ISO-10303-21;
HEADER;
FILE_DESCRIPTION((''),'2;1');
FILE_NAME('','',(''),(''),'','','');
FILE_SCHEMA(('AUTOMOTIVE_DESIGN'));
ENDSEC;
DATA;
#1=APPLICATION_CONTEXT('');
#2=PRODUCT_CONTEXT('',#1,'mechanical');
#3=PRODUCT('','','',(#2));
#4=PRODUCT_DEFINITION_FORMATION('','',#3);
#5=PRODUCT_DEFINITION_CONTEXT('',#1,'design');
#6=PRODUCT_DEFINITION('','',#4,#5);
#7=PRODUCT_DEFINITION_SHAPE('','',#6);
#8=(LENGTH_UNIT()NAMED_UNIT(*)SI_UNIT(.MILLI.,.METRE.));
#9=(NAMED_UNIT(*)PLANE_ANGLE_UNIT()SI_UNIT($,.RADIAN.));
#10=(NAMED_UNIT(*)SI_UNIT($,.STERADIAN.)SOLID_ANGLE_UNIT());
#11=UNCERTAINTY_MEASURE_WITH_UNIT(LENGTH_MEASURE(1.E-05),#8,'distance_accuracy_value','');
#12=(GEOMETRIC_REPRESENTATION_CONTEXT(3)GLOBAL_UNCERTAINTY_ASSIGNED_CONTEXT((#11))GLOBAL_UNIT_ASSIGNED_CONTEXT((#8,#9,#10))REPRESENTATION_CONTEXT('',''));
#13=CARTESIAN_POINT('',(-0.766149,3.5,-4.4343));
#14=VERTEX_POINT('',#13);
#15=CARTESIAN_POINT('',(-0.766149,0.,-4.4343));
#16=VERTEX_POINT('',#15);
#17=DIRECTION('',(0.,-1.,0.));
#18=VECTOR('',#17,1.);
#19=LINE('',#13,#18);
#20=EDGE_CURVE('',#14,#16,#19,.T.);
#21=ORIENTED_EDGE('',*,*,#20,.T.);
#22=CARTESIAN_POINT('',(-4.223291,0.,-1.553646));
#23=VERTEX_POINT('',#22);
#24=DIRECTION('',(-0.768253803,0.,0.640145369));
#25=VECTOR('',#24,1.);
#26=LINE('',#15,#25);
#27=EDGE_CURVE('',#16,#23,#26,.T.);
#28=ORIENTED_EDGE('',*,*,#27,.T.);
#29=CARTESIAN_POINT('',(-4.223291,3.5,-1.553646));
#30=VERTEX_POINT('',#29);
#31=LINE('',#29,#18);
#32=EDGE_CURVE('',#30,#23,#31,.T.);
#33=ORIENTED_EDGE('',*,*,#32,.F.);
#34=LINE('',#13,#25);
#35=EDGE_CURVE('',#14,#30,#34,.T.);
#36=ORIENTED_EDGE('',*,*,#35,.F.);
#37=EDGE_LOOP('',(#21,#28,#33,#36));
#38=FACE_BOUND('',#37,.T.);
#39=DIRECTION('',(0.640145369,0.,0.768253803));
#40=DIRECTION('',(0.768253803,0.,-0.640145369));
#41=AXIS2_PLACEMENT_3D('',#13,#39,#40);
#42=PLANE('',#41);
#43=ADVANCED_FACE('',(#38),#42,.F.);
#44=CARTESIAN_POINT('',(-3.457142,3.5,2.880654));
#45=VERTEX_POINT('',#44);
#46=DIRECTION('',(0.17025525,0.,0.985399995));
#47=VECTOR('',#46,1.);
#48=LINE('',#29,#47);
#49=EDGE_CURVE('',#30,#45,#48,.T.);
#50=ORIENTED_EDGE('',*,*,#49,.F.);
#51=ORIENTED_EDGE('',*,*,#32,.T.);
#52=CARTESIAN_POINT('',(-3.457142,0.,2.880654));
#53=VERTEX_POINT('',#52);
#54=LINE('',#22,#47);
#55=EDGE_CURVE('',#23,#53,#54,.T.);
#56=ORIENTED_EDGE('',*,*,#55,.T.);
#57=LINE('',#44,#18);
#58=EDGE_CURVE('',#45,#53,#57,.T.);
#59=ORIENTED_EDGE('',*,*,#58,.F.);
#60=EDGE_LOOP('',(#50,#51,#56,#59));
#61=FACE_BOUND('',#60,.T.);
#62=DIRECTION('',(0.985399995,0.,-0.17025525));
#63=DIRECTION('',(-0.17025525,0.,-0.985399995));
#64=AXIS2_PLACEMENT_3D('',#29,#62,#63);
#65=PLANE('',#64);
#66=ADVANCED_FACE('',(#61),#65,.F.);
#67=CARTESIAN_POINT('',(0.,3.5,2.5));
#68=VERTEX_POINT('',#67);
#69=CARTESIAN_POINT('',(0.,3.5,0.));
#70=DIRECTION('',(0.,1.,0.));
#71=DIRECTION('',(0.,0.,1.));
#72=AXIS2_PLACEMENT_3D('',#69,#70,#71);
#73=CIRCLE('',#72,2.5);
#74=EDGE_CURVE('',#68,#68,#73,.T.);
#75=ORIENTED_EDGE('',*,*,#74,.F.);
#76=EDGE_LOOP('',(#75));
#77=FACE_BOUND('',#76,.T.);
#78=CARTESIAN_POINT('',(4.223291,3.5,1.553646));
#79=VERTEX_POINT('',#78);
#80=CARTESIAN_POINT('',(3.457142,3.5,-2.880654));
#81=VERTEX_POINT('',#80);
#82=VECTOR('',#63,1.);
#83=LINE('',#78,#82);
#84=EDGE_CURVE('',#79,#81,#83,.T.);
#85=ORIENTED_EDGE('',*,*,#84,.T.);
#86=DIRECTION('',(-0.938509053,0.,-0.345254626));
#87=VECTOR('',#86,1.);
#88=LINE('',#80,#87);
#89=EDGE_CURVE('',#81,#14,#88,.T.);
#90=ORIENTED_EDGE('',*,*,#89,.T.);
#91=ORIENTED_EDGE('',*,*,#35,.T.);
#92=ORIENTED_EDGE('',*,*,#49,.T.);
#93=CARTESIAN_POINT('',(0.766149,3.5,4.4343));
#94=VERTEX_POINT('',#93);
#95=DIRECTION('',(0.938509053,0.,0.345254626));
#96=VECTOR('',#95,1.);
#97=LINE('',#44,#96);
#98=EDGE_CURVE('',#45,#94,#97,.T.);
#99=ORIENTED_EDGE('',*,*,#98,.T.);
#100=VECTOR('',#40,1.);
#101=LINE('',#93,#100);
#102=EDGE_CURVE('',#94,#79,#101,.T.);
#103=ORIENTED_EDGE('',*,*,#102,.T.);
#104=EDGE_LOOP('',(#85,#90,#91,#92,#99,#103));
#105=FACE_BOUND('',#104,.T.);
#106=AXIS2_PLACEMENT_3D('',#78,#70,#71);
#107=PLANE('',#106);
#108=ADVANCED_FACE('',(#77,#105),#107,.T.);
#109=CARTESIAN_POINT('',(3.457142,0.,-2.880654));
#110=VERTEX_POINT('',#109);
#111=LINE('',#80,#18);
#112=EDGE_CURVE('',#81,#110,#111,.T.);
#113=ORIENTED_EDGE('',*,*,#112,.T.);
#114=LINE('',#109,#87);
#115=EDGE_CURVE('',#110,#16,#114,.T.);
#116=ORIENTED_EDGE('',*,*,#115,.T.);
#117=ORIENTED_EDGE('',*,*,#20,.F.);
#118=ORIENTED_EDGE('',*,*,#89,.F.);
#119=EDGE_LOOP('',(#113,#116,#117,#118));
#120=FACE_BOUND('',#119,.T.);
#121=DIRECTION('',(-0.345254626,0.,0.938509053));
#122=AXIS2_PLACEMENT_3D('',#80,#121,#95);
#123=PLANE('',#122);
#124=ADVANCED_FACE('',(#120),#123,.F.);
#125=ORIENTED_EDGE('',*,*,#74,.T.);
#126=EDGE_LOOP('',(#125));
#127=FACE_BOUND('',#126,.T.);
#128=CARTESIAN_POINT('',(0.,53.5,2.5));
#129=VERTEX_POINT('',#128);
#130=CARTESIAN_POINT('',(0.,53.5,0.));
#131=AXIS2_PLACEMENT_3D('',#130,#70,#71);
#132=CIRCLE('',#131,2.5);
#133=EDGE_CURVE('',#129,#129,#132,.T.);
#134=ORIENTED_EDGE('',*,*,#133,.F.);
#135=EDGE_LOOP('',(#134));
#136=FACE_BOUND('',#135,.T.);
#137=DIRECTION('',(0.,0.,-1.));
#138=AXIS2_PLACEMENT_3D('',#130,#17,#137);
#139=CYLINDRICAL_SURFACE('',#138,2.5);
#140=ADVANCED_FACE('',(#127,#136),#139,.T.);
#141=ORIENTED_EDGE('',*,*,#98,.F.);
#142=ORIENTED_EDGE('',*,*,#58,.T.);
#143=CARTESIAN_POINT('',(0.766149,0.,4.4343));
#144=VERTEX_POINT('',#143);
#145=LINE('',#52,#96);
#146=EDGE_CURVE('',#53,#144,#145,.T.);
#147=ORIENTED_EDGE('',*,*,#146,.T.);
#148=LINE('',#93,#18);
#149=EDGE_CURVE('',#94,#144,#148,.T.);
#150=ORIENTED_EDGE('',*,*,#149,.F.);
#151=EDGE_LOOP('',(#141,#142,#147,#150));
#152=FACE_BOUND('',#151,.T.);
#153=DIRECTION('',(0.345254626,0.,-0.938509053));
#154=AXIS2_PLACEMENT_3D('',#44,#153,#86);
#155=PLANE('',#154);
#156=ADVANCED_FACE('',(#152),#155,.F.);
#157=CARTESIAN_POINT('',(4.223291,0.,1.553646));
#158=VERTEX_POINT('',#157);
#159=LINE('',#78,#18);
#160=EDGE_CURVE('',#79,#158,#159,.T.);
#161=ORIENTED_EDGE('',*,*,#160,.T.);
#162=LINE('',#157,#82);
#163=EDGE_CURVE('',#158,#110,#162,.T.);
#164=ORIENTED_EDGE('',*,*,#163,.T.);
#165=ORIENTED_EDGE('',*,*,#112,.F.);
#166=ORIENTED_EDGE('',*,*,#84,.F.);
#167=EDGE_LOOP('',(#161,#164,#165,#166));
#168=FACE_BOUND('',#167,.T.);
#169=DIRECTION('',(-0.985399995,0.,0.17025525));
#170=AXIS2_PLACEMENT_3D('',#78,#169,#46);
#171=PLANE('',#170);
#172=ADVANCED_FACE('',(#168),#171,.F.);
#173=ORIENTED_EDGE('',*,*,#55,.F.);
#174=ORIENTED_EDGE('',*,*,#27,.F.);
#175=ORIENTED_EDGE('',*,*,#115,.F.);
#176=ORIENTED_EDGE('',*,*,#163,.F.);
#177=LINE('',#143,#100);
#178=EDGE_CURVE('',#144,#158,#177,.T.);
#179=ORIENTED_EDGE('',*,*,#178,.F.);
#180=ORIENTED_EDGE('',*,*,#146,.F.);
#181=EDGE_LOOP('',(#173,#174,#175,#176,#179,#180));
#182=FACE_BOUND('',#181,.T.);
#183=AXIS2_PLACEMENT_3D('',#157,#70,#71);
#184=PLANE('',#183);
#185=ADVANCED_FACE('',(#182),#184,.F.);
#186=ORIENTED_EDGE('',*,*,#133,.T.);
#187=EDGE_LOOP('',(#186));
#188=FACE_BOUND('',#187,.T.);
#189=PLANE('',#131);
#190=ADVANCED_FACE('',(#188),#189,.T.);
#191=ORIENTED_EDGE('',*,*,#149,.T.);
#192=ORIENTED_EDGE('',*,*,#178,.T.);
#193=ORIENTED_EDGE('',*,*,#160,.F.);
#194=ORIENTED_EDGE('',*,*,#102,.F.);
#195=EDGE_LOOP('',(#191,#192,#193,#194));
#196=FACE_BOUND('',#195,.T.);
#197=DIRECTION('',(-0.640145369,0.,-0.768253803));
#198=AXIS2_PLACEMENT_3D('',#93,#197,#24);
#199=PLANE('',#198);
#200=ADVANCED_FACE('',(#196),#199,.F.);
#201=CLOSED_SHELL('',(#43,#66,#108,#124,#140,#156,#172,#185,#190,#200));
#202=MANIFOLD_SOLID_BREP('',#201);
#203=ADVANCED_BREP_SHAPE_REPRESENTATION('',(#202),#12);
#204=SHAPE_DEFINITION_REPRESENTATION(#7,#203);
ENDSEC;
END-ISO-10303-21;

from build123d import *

# Parameters (mm, degrees)
EXTRUDE_1_DEPTH = 3.5
SKETCH_2_R      = 2.5
EXTRUDE_2_DEPTH = 50


with BuildPart() as part:
    # Эскиз1 → Вытянуть1 (new body)
    with BuildSketch(Plane(origin=(0, 0, 0), x_dir=(1, 0, 0), z_dir=(0, 1, 0))):
        Polygon((4.22329074, -1.553645816), (3.457142116, 2.88065416), (-0.766148625, 4.434299977), (-4.22329074, 1.553645816), (-3.457142116, -2.88065416), (0.766148625, -4.434299977), align=None)
    extrude(amount=EXTRUDE_1_DEPTH)

    # Эскиз2 → Вытянуть2 (add)
    with BuildSketch(Plane(origin=(0, 3.5, 0), x_dir=(1, 0, 0), z_dir=(0, 1, 0))):
        with Locations(Location((0, 0, 0), (0, 0, 270))):
            Circle(SKETCH_2_R)
    extrude(amount=EXTRUDE_2_DEPTH)


solid = part.part
